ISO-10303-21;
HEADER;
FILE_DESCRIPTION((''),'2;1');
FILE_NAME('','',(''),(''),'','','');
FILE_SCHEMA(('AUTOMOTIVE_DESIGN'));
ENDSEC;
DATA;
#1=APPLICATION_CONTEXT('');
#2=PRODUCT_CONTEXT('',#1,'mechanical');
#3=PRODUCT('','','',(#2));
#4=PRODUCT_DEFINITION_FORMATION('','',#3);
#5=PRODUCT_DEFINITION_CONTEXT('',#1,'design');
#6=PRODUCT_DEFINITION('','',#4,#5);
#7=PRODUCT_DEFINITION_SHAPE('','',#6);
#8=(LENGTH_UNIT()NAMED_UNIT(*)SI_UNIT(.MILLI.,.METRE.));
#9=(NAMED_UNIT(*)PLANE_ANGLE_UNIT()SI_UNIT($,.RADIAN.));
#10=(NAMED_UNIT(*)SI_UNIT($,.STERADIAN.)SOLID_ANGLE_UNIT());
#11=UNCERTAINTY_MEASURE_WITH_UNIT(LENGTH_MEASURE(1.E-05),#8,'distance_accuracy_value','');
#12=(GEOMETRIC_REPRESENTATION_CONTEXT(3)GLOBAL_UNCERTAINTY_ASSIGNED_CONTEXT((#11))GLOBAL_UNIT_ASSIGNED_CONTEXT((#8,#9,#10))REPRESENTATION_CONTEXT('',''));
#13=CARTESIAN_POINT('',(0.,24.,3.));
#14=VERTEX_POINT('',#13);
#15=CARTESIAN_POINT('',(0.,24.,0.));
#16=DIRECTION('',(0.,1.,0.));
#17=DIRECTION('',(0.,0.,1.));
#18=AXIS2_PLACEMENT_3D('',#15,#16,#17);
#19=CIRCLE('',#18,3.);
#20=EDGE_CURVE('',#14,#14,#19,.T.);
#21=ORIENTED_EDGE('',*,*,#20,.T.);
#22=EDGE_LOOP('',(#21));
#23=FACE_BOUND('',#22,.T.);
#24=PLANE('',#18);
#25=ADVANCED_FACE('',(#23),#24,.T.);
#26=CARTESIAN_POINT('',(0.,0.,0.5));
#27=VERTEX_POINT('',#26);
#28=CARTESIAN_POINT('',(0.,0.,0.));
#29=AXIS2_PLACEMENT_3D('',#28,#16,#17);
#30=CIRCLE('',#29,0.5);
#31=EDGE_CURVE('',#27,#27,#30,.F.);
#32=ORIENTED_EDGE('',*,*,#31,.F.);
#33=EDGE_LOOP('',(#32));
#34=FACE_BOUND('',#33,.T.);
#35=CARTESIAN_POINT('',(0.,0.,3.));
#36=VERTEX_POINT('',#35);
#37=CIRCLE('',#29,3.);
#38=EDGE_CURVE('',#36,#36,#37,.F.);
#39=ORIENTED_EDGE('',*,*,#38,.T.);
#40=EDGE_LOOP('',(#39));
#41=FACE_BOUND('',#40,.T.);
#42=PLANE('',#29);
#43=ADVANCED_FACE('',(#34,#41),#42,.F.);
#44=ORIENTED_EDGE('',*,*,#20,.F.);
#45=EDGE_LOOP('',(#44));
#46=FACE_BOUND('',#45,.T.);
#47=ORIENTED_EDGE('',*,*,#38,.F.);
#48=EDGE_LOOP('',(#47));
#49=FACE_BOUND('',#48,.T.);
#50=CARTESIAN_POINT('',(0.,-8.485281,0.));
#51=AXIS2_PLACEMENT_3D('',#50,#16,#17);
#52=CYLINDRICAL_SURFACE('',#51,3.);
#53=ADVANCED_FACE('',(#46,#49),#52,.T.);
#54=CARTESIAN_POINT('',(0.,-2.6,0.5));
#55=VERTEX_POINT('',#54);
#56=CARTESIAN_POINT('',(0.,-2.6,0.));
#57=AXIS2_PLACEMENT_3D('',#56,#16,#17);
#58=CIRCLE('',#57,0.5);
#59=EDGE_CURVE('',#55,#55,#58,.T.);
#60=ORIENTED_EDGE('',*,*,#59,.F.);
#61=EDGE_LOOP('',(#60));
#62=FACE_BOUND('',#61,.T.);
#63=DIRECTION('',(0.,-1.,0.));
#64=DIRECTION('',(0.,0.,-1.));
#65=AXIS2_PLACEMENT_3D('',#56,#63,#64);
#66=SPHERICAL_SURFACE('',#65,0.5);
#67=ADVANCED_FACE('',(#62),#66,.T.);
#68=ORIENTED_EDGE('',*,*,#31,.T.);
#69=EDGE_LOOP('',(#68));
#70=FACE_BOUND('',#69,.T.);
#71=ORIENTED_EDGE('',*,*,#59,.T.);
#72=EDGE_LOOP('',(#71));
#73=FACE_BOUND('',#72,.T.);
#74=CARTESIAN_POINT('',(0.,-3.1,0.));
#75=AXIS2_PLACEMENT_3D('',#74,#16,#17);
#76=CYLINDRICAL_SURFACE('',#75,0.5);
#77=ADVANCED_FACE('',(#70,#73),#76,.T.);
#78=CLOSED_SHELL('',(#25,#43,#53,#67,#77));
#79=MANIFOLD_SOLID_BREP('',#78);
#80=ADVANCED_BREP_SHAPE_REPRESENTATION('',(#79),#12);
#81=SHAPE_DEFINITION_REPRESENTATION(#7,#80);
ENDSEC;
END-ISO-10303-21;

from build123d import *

# Parameters (mm, degrees)
SKETCH_1_R      = 1.5
EXTRUDE_2_DEPTH = 24
SKETCH_3_R      = 0.5
EXTRUDE_3_DEPTH = 3.1
FILLET_1_R      = 0.5
SKETCH_4_R      = 3
EXTRUDE_4_DEPTH = 24


with BuildPart() as part:
    # ｽｹｯﾁ1 → ﾎﾞｽ - 押し出し2 (new body)
    with BuildSketch(Plane(origin=(0, 0, 0), x_dir=(1, 0, 0), z_dir=(0, 1, 0))):
        Circle(SKETCH_1_R)
    extrude(amount=EXTRUDE_2_DEPTH)

    # ｽｹｯﾁ3 → ﾎﾞｽ - 押し出し3 (add)
    with BuildSketch(Plane.XZ):
        Circle(SKETCH_3_R)
    extrude(amount=EXTRUDE_3_DEPTH)

    # ﾌｨﾚｯﾄ1
    fillet_1_edges = [part.edges().sort_by_distance(p)[0] for p in [
        (-0.5, -3.1, 0),
    ]]
    fillet(fillet_1_edges, radius=FILLET_1_R)

    # ｽｹｯﾁ4 → ﾎﾞｽ - 押し出し4 (add)
    with BuildSketch(Plane(origin=(0, 24, 0), x_dir=(1, 0, 0), z_dir=(0, 1, 0))):
        Circle(SKETCH_4_R)
    extrude(amount=-EXTRUDE_4_DEPTH)


solid = part.part
